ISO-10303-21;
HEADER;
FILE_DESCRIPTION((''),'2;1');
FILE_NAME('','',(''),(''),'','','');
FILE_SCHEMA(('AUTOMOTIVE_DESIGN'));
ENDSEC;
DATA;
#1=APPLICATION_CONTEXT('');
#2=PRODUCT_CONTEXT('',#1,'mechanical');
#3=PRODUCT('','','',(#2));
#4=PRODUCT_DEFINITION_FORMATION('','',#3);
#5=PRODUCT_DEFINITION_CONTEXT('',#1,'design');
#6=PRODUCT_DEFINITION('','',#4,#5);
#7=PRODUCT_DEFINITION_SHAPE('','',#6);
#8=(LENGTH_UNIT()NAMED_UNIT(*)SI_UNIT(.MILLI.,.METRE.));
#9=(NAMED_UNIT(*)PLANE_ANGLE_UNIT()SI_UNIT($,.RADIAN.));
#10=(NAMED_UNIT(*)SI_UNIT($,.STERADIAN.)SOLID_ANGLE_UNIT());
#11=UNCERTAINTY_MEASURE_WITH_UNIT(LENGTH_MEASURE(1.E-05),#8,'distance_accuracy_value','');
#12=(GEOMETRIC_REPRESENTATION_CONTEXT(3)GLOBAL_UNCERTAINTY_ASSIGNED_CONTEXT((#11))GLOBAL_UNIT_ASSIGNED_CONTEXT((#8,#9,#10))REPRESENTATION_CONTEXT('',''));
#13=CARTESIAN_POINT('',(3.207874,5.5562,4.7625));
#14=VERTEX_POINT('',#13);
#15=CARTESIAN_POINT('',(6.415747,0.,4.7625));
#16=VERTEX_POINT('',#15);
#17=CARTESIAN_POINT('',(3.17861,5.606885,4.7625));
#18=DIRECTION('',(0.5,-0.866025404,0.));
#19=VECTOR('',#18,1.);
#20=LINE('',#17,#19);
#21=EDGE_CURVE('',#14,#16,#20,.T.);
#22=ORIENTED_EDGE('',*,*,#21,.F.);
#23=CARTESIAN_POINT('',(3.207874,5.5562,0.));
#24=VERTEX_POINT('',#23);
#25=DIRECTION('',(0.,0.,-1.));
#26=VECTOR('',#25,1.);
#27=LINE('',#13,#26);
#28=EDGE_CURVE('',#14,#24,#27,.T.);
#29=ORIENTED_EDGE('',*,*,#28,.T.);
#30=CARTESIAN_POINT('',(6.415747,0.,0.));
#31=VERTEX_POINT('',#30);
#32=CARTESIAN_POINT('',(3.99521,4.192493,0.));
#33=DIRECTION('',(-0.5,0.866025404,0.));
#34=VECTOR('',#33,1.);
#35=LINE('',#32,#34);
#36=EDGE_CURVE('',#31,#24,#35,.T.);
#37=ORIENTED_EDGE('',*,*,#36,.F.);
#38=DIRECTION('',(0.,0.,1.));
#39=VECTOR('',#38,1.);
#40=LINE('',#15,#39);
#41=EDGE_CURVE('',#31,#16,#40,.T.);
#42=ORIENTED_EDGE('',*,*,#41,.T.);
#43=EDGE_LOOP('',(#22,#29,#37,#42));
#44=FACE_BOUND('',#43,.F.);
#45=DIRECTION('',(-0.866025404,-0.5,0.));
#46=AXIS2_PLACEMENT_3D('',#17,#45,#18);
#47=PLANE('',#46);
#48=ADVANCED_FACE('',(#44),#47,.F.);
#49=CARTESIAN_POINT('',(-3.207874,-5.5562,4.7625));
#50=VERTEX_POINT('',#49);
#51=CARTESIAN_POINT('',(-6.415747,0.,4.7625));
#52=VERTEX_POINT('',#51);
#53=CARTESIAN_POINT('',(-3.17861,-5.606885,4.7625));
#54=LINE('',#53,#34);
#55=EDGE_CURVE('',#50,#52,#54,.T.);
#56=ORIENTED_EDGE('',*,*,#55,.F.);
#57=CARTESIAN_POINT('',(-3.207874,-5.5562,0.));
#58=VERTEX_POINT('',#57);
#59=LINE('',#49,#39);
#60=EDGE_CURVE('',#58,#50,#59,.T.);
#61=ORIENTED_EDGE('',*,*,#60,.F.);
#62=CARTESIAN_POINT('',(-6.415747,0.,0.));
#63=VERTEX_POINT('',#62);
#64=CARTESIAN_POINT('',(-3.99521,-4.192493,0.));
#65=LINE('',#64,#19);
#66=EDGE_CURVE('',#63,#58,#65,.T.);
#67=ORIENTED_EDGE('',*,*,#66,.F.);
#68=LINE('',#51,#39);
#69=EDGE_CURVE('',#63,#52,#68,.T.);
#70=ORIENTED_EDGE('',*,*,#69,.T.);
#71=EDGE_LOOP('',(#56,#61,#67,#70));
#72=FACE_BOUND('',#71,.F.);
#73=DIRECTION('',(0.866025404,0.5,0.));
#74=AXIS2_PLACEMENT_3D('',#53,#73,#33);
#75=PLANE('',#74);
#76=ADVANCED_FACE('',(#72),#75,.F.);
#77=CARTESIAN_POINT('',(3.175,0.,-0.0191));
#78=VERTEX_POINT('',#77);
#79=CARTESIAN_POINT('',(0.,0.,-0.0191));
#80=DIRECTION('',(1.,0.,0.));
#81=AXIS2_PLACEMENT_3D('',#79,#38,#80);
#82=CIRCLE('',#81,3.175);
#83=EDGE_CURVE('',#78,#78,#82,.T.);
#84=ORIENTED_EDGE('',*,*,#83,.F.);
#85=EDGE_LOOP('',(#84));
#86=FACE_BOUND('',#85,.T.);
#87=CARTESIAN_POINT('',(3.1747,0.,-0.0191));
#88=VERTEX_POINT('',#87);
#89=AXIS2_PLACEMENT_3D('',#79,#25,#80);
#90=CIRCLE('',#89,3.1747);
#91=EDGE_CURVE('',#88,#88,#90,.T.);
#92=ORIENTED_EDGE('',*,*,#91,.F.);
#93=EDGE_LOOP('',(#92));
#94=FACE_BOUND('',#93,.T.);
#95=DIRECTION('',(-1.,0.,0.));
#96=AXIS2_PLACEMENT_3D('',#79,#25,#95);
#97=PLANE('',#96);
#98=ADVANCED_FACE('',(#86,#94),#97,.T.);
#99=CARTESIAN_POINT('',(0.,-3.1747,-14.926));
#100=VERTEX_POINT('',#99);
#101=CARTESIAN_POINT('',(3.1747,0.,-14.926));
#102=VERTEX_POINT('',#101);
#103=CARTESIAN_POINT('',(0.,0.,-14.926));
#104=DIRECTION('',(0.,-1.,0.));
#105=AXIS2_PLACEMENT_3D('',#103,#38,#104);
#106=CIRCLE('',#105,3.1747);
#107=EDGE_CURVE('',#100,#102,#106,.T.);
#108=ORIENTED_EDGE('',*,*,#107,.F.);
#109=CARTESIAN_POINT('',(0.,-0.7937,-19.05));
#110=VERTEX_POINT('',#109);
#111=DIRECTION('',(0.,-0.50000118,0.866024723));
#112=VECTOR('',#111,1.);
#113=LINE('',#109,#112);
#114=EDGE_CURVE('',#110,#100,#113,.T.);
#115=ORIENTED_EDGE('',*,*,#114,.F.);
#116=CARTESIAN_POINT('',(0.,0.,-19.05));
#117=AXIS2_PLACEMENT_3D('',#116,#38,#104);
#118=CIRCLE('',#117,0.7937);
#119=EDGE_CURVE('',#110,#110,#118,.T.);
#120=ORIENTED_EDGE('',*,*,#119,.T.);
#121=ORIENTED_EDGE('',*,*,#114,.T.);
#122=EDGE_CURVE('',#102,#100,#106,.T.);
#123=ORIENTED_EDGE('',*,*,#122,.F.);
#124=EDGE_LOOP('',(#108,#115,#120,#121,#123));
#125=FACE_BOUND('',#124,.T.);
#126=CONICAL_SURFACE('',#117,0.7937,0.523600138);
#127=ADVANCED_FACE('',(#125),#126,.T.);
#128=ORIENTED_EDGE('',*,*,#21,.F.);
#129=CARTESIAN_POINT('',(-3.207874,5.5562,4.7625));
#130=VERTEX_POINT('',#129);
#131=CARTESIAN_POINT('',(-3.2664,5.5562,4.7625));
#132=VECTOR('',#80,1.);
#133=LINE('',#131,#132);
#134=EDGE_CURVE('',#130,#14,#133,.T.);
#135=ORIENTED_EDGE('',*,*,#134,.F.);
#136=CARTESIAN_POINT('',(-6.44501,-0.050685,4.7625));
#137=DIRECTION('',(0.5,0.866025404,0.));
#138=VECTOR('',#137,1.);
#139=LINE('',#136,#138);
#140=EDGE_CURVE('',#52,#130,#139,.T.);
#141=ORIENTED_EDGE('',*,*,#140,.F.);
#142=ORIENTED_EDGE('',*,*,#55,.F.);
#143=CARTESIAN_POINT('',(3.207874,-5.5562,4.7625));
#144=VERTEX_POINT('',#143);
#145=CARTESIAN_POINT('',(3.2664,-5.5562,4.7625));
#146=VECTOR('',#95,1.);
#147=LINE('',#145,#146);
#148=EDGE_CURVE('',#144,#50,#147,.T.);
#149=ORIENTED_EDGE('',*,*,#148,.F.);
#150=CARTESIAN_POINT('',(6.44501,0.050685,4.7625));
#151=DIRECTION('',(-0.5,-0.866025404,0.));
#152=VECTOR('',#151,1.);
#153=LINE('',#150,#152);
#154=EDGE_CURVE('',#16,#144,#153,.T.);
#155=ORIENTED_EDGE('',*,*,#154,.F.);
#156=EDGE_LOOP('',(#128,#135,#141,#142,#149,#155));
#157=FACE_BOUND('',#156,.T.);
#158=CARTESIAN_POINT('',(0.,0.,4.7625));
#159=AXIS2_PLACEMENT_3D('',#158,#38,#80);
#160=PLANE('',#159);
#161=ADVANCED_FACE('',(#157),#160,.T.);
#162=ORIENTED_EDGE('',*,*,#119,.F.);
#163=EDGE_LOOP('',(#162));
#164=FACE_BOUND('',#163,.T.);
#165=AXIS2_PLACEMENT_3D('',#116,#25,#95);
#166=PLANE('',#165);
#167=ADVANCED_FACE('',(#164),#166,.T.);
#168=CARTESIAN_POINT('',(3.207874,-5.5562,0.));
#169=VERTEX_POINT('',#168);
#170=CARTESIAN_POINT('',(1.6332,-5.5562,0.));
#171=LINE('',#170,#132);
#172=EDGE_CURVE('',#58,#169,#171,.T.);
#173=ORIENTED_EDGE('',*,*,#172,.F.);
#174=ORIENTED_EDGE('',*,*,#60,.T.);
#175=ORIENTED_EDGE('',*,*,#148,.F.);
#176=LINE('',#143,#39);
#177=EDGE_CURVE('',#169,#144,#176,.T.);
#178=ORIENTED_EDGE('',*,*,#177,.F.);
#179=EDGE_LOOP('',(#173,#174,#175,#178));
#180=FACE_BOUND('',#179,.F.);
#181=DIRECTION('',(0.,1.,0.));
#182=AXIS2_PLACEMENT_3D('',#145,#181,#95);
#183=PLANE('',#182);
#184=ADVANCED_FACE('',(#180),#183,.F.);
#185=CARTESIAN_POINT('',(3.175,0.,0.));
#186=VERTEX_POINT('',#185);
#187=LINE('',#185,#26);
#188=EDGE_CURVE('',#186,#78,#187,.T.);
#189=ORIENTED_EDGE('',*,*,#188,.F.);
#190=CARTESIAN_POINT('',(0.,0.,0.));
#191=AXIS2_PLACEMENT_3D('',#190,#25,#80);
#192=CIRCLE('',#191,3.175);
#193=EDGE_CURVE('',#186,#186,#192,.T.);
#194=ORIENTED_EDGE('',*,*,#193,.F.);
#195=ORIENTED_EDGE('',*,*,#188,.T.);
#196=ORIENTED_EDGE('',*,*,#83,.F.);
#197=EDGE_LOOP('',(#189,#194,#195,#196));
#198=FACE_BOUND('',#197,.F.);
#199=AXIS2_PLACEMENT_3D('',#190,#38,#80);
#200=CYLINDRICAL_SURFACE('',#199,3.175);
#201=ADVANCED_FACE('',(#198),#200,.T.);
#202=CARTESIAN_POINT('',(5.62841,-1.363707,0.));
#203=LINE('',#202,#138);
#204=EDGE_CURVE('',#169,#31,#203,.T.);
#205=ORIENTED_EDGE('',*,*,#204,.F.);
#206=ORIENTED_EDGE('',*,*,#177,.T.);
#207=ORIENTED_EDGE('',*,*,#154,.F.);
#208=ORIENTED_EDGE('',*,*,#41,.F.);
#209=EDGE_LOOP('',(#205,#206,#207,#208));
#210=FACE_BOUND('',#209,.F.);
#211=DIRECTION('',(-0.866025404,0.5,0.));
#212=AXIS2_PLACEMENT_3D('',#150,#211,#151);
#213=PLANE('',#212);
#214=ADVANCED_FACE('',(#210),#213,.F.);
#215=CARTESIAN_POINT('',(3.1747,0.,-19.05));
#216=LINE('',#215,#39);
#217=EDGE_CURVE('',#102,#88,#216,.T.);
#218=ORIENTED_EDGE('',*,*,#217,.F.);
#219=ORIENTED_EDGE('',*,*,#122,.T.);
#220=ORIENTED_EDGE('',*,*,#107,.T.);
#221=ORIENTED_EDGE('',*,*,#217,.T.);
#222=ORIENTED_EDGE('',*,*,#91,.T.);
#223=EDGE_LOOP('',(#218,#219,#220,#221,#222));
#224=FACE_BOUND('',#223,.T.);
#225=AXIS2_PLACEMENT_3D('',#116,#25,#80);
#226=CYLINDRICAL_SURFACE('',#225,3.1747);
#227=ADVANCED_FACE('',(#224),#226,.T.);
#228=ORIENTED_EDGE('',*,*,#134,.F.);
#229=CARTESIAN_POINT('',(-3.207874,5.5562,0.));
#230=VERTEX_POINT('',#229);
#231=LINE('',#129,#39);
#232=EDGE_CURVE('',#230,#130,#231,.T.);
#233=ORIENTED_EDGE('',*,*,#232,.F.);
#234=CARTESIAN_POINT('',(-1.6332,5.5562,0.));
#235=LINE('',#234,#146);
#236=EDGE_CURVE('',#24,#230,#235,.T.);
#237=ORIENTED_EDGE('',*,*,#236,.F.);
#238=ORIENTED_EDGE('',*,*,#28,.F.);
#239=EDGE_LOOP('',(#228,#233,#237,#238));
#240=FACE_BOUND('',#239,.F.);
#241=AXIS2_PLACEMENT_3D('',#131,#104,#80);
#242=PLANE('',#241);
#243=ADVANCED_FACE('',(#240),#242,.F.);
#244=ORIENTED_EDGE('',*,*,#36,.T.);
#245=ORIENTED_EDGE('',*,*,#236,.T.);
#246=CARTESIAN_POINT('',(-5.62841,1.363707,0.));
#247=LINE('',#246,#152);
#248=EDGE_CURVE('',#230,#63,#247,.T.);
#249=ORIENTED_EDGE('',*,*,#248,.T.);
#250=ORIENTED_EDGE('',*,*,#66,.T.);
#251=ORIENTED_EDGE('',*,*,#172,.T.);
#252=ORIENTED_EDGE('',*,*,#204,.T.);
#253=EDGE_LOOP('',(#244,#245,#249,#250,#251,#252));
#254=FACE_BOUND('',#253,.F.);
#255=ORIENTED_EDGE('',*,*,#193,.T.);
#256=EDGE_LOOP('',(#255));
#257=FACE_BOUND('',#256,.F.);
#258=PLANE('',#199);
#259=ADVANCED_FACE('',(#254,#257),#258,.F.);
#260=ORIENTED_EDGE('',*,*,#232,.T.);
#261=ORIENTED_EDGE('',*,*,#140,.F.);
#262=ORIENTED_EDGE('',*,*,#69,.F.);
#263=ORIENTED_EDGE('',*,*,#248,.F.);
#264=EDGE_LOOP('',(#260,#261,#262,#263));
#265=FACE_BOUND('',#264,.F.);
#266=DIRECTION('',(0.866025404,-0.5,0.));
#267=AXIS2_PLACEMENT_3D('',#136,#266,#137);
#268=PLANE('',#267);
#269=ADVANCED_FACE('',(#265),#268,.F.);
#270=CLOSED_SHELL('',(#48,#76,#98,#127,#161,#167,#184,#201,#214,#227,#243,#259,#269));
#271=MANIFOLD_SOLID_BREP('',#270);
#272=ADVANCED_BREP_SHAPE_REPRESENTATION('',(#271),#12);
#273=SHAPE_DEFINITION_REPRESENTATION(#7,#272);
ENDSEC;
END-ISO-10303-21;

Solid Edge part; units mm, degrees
sketch "Sketch1" plane through (0, 0, 0) normal (0, 0, 1) x (1, 0, 0)
  circle A0 centre (0, 0) radius 6.4452
  dimension "D1" = 12.8905
extrude "Protrusion1" add sketch "Sketch1" along normal blind 4.7625
sketch "Sketch2" plane through (0, 0, 0) normal (0, 0, -1) x (1, 0, 0)
  circle A0 centre (0, 0) radius 3.175
extrude "Protrusion2" add sketch "Sketch2" along normal blind 19.05
sketch "Sketch3" plane through (0, 0, -19.05) normal (0, 0, -1) x (1, 0, 0)
  circle A0 centre (0, 0) radius 3.1747
extrude "Cutout1" cut sketch "Sketch3" against normal blind 19.0309 flip side to cut
sketch "Sketch4" plane through (0, 0, 4.7625) normal (0, 0, 1) x (1, 0, 0)
  line L0 (-3.2664, 5.5562) -> (3.2664, 5.5562)
  dimension "D1" = 11.1125
extrude "Cutout2" cut sketch "Sketch4" against normal up to next material side at (0, 5.6062, 4.7625)
sketch "Sketch5" plane through (0, 0, 0) normal (1, 0, 0) x (0, 1, 0)
  line L0 (-0.7937, -19.05) -> (-3.1747, -14.926)
  dimension "D1" = 0.7937
revolve "RevolvedCutout1" cut sketch "Sketch5" angle 360 about axis through (0, 0, -14.7796) along (0, 0, 1) material side at (0, -2.0275, -17.013)
pattern_circular "Pattern1" count 6 over 360 about axis through (0, 0, 4.7625) along (0, 0, 1) of "Cutout2"
properties part number "24101329"
